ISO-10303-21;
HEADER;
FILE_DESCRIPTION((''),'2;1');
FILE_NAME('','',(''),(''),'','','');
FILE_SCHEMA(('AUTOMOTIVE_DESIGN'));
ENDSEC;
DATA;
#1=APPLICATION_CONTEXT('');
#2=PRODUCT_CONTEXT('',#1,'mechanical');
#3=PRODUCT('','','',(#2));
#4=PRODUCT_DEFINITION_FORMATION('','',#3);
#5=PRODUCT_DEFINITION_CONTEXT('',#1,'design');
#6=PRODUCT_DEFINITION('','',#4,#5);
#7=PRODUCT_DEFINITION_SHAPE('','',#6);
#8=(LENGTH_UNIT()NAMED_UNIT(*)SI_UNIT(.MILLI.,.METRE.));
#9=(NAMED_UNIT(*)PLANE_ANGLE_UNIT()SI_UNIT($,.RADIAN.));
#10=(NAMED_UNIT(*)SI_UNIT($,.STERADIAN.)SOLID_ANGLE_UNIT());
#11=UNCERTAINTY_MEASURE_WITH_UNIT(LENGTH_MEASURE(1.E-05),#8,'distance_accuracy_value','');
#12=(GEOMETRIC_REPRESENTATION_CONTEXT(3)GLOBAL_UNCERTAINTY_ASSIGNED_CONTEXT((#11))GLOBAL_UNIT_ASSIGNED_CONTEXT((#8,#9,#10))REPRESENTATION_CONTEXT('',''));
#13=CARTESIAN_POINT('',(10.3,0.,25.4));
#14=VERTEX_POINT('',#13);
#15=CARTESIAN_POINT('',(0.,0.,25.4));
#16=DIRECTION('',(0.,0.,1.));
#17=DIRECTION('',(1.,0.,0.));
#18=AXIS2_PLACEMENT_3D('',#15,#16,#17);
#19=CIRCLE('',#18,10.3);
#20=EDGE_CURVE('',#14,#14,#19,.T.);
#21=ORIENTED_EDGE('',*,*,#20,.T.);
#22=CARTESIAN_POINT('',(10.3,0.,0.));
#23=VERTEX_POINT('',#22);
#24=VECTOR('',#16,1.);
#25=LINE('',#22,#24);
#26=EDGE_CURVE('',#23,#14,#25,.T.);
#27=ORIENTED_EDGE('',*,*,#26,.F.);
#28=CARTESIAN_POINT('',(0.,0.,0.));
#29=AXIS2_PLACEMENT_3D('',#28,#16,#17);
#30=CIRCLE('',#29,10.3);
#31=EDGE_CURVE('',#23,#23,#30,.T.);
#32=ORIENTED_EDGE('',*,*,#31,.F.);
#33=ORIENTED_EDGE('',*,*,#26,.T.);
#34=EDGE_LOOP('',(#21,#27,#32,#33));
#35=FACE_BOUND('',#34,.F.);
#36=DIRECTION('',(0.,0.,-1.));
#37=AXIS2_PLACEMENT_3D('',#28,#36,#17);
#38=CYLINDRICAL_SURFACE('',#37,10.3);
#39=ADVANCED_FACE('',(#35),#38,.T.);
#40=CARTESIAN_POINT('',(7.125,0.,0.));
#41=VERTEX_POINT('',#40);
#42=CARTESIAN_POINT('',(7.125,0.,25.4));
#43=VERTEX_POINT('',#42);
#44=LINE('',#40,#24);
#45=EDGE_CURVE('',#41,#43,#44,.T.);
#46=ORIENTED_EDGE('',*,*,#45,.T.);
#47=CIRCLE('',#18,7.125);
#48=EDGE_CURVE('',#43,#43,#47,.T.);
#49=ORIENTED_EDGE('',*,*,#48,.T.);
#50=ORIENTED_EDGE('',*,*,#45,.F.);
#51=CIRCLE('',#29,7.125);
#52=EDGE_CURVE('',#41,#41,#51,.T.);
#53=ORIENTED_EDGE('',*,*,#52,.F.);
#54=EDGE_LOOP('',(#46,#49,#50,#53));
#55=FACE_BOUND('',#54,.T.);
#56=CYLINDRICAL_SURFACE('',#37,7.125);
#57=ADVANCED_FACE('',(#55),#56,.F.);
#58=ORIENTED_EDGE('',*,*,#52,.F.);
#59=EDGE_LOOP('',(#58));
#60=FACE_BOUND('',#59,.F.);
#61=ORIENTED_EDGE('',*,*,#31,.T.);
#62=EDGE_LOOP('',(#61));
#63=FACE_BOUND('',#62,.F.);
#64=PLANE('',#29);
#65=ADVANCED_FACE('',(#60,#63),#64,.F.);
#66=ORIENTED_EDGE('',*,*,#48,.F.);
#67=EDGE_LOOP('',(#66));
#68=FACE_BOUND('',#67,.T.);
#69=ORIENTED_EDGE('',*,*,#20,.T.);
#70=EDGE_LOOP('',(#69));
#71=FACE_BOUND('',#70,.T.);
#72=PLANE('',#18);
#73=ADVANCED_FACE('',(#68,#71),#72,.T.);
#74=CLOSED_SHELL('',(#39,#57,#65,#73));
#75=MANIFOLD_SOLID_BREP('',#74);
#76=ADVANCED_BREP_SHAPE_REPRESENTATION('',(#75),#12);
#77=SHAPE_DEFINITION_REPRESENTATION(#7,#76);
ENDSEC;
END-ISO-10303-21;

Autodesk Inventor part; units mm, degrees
ref_plane "YZ Plane" through (0, 0, 0) normal (1, 0, 0) x (0, 1, 0)
ref_plane "XZ Plane" through (0, 0, 0) normal (0, 1, 0) x (-1, 0, 0)
ref_plane "XY Plane" through (0, 0, 0) normal (0, 0, 1) x (1, 0, 0)
sketch "Sketch1" plane through (0, 0, 0) normal (0, 0, 1) x (1, 0, 0)
  circle A0 centre (0, 0) radius 7.125
  circle A1 centre (0, 0) radius 10.3
  dimension "d13" = 14.25
  dimension "d14" = 3.175
extrude "Extrusion1" add sketch "Sketch1" along normal blind 25.4
equation "\"d13\" = HoleDiameter"
equation "\"d1\" = SpacerLength"
equation "\"SpacerLength\" = 25.4"
equation "\"HoleDiameter\" = 14.25"
properties part number "Spacer Creator" material "ABS Plastic"
